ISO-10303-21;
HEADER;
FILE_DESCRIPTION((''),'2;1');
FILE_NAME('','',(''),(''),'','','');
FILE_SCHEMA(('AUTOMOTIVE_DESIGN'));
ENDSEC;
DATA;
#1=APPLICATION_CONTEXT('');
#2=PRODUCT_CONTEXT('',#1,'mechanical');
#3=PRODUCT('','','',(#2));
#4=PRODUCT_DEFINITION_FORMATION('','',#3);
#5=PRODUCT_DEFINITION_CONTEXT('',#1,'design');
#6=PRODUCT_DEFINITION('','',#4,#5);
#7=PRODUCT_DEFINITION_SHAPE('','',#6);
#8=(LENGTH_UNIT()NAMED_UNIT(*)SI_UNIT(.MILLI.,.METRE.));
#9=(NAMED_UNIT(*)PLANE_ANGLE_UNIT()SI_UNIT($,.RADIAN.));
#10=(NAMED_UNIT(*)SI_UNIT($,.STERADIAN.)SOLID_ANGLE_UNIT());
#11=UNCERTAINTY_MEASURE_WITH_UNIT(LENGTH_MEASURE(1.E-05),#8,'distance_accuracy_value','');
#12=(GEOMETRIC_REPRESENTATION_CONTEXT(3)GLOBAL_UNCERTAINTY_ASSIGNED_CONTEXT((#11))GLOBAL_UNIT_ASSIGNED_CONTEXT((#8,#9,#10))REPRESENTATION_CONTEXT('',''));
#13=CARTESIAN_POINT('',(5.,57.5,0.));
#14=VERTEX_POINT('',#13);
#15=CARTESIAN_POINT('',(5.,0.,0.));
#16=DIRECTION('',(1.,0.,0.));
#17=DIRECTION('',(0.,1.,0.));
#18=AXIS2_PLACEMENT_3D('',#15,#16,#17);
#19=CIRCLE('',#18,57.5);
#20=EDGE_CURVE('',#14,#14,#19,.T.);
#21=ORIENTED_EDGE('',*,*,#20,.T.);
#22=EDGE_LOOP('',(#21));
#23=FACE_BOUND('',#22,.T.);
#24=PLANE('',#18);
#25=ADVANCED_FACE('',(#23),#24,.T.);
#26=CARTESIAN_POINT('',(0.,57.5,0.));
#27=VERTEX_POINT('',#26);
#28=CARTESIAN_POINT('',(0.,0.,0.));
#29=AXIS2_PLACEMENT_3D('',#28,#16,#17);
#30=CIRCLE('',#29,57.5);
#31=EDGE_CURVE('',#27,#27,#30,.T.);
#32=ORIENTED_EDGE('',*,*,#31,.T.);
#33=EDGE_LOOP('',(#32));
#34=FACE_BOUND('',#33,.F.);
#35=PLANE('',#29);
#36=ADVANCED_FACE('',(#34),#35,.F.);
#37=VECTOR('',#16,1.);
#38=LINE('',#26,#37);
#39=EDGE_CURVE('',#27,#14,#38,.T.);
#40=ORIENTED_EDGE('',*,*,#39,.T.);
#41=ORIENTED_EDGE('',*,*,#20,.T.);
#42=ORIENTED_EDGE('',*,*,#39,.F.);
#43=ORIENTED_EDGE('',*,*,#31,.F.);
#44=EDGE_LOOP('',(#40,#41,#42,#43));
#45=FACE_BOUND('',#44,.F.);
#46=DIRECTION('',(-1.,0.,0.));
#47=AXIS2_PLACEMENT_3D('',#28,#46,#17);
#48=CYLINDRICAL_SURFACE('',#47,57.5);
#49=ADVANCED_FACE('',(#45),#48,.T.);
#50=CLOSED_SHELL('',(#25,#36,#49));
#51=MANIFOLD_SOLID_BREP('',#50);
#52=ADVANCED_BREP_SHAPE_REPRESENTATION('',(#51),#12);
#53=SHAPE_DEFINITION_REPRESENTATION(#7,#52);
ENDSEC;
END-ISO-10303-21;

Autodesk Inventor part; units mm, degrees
ref_plane "YZ Plane" through (0, 0, 0) normal (1, 0, 0) x (0, 1, 0)
ref_plane "XZ Plane" through (0, 0, 0) normal (0, 1, 0) x (-1, 0, 0)
ref_plane "XY Plane" through (0, 0, 0) normal (0, 0, 1) x (1, 0, 0)
sketch "Sketch1" plane through (0, 0, 0) normal (1, 0, 0) x (0, 1, 0)
  circle A0 centre (0, 0) radius 57.5
  dimension "d0" = 115
extrude "Extrusion1" add sketch "Sketch1" along normal blind 5
properties part number "DISCO" material "Steel, Mild, Welded"
